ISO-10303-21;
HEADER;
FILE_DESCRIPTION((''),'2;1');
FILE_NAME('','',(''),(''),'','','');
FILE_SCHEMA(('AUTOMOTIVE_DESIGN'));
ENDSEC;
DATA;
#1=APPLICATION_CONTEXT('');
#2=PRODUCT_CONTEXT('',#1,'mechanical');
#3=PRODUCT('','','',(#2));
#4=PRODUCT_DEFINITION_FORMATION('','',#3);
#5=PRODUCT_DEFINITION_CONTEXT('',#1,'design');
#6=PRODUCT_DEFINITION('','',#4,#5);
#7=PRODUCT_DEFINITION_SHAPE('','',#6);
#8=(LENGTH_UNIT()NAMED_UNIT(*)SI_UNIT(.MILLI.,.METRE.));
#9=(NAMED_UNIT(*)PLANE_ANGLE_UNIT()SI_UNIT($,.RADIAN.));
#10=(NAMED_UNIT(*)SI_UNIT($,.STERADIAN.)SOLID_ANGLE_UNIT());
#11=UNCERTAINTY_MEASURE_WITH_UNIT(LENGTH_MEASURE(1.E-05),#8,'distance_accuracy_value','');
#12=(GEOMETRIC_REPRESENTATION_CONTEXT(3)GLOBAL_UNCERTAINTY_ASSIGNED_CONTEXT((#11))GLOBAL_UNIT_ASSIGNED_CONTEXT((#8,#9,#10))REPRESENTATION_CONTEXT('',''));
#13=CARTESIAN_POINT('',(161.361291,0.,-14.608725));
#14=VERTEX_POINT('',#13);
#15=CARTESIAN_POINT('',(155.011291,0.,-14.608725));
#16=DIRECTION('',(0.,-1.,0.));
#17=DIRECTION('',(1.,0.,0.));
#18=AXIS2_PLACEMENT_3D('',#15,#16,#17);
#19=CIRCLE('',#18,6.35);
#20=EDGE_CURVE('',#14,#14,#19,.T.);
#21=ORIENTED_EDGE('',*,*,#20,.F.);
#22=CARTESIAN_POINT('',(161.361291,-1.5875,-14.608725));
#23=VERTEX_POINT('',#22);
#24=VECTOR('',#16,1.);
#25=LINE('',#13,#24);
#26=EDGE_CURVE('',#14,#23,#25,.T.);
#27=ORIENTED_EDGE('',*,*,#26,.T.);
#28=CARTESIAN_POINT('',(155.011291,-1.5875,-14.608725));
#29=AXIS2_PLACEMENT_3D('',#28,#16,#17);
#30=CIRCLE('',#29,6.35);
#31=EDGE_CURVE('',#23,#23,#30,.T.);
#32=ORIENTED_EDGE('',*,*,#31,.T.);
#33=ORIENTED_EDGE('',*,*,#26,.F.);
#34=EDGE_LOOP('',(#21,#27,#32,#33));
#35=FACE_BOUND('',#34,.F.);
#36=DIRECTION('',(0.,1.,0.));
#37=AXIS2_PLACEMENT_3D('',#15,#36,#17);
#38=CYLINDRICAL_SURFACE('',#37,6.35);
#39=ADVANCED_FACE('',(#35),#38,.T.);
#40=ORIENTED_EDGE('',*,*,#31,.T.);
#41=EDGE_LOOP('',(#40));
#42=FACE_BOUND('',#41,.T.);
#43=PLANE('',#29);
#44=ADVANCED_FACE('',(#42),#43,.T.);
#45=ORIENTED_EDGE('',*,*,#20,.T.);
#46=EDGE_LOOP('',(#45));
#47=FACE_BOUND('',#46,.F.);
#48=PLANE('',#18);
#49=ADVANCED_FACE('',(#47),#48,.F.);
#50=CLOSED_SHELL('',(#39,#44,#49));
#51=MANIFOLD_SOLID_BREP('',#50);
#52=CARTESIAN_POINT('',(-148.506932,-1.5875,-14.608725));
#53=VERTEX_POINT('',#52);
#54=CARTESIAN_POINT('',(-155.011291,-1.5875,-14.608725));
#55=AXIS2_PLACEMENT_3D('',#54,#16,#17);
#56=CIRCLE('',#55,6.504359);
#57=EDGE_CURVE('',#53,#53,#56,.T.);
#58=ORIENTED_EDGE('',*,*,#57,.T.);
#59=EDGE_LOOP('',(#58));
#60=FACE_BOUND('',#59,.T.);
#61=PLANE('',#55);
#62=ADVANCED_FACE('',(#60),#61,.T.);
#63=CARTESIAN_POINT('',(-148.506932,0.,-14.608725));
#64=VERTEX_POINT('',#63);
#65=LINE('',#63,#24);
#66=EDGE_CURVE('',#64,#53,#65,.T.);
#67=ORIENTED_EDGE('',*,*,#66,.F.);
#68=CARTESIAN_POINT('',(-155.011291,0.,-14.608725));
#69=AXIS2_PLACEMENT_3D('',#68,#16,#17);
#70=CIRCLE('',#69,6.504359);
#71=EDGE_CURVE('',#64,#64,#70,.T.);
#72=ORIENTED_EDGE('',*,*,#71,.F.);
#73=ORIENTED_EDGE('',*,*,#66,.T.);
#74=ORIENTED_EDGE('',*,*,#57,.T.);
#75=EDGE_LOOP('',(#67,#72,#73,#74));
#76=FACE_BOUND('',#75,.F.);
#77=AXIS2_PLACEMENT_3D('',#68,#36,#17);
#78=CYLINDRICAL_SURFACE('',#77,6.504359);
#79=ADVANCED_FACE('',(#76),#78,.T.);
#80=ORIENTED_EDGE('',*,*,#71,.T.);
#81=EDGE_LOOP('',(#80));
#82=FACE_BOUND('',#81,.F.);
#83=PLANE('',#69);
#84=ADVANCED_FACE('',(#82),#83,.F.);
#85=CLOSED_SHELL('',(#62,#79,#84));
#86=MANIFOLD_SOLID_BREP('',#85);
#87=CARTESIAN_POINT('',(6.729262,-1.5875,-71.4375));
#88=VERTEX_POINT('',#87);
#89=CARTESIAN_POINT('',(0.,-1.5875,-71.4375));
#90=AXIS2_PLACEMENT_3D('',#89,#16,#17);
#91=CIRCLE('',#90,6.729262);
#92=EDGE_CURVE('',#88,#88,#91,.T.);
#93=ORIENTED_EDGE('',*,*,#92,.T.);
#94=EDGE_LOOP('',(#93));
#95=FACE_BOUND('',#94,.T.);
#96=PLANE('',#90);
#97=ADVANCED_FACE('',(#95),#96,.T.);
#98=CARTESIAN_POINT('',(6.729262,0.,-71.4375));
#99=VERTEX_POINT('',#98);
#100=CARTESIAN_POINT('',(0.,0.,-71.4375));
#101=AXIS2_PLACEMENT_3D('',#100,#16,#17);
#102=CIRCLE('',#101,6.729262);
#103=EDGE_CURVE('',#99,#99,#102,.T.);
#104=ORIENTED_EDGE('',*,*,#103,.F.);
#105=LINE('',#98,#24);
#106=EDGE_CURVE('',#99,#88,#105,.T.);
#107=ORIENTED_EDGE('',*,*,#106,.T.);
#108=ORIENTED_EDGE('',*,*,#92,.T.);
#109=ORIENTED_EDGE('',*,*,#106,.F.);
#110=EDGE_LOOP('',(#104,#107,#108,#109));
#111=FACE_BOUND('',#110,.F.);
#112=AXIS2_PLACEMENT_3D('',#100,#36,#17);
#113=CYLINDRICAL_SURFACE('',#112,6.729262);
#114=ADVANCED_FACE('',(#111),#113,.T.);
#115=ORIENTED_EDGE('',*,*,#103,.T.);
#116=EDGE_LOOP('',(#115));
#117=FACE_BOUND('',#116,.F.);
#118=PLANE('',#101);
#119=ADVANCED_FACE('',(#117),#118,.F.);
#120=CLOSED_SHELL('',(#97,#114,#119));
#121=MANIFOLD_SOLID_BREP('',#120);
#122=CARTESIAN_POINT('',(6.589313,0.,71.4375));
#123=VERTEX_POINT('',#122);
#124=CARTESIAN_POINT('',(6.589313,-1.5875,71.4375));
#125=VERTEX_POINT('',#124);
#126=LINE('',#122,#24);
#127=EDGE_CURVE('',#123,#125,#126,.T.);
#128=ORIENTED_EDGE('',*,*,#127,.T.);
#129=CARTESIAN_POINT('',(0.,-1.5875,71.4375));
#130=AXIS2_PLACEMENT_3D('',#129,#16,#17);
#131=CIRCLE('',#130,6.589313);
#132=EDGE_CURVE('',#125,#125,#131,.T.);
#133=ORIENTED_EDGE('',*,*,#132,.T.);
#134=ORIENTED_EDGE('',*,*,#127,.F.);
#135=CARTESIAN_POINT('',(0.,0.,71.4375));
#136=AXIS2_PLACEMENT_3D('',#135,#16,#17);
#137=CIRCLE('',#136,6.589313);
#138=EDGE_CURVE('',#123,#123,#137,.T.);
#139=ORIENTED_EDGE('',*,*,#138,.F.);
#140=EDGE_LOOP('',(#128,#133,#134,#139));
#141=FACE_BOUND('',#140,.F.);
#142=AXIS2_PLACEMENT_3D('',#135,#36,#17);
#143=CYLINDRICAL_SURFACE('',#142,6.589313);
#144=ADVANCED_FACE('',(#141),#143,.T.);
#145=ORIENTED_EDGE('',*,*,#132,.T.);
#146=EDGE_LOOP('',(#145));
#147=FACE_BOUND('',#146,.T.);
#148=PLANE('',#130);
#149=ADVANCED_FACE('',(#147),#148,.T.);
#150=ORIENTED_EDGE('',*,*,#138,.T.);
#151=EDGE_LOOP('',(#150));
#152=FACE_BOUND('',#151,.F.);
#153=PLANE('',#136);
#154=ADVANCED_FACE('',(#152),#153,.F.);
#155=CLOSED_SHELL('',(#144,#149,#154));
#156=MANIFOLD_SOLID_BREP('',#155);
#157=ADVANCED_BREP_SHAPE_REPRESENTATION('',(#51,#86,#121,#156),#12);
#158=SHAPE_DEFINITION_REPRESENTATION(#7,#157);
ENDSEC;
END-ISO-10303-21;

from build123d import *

# Parameters (mm, degrees)
F0_R     = 6.504359
F0_R_2   = 6.589313
F0_R_3   = 6.35
F0_R_4   = 6.729262
F1_DEPTH = 1.5875


with BuildPart() as f1:
    # F0 (on Front) → F1 (new body)
    with BuildSketch(Plane.XZ):
        with Locations((-155.011291, -14.608725)):
            Circle(F0_R)
        with Locations((0, 71.4375)):
            Circle(F0_R_2)
        with Locations((155.011291, -14.608725)):
            Circle(F0_R_3)
        with Locations((0, -71.4375)):
            Circle(F0_R_4)
    extrude(amount=F1_DEPTH)


solid = f1.part
